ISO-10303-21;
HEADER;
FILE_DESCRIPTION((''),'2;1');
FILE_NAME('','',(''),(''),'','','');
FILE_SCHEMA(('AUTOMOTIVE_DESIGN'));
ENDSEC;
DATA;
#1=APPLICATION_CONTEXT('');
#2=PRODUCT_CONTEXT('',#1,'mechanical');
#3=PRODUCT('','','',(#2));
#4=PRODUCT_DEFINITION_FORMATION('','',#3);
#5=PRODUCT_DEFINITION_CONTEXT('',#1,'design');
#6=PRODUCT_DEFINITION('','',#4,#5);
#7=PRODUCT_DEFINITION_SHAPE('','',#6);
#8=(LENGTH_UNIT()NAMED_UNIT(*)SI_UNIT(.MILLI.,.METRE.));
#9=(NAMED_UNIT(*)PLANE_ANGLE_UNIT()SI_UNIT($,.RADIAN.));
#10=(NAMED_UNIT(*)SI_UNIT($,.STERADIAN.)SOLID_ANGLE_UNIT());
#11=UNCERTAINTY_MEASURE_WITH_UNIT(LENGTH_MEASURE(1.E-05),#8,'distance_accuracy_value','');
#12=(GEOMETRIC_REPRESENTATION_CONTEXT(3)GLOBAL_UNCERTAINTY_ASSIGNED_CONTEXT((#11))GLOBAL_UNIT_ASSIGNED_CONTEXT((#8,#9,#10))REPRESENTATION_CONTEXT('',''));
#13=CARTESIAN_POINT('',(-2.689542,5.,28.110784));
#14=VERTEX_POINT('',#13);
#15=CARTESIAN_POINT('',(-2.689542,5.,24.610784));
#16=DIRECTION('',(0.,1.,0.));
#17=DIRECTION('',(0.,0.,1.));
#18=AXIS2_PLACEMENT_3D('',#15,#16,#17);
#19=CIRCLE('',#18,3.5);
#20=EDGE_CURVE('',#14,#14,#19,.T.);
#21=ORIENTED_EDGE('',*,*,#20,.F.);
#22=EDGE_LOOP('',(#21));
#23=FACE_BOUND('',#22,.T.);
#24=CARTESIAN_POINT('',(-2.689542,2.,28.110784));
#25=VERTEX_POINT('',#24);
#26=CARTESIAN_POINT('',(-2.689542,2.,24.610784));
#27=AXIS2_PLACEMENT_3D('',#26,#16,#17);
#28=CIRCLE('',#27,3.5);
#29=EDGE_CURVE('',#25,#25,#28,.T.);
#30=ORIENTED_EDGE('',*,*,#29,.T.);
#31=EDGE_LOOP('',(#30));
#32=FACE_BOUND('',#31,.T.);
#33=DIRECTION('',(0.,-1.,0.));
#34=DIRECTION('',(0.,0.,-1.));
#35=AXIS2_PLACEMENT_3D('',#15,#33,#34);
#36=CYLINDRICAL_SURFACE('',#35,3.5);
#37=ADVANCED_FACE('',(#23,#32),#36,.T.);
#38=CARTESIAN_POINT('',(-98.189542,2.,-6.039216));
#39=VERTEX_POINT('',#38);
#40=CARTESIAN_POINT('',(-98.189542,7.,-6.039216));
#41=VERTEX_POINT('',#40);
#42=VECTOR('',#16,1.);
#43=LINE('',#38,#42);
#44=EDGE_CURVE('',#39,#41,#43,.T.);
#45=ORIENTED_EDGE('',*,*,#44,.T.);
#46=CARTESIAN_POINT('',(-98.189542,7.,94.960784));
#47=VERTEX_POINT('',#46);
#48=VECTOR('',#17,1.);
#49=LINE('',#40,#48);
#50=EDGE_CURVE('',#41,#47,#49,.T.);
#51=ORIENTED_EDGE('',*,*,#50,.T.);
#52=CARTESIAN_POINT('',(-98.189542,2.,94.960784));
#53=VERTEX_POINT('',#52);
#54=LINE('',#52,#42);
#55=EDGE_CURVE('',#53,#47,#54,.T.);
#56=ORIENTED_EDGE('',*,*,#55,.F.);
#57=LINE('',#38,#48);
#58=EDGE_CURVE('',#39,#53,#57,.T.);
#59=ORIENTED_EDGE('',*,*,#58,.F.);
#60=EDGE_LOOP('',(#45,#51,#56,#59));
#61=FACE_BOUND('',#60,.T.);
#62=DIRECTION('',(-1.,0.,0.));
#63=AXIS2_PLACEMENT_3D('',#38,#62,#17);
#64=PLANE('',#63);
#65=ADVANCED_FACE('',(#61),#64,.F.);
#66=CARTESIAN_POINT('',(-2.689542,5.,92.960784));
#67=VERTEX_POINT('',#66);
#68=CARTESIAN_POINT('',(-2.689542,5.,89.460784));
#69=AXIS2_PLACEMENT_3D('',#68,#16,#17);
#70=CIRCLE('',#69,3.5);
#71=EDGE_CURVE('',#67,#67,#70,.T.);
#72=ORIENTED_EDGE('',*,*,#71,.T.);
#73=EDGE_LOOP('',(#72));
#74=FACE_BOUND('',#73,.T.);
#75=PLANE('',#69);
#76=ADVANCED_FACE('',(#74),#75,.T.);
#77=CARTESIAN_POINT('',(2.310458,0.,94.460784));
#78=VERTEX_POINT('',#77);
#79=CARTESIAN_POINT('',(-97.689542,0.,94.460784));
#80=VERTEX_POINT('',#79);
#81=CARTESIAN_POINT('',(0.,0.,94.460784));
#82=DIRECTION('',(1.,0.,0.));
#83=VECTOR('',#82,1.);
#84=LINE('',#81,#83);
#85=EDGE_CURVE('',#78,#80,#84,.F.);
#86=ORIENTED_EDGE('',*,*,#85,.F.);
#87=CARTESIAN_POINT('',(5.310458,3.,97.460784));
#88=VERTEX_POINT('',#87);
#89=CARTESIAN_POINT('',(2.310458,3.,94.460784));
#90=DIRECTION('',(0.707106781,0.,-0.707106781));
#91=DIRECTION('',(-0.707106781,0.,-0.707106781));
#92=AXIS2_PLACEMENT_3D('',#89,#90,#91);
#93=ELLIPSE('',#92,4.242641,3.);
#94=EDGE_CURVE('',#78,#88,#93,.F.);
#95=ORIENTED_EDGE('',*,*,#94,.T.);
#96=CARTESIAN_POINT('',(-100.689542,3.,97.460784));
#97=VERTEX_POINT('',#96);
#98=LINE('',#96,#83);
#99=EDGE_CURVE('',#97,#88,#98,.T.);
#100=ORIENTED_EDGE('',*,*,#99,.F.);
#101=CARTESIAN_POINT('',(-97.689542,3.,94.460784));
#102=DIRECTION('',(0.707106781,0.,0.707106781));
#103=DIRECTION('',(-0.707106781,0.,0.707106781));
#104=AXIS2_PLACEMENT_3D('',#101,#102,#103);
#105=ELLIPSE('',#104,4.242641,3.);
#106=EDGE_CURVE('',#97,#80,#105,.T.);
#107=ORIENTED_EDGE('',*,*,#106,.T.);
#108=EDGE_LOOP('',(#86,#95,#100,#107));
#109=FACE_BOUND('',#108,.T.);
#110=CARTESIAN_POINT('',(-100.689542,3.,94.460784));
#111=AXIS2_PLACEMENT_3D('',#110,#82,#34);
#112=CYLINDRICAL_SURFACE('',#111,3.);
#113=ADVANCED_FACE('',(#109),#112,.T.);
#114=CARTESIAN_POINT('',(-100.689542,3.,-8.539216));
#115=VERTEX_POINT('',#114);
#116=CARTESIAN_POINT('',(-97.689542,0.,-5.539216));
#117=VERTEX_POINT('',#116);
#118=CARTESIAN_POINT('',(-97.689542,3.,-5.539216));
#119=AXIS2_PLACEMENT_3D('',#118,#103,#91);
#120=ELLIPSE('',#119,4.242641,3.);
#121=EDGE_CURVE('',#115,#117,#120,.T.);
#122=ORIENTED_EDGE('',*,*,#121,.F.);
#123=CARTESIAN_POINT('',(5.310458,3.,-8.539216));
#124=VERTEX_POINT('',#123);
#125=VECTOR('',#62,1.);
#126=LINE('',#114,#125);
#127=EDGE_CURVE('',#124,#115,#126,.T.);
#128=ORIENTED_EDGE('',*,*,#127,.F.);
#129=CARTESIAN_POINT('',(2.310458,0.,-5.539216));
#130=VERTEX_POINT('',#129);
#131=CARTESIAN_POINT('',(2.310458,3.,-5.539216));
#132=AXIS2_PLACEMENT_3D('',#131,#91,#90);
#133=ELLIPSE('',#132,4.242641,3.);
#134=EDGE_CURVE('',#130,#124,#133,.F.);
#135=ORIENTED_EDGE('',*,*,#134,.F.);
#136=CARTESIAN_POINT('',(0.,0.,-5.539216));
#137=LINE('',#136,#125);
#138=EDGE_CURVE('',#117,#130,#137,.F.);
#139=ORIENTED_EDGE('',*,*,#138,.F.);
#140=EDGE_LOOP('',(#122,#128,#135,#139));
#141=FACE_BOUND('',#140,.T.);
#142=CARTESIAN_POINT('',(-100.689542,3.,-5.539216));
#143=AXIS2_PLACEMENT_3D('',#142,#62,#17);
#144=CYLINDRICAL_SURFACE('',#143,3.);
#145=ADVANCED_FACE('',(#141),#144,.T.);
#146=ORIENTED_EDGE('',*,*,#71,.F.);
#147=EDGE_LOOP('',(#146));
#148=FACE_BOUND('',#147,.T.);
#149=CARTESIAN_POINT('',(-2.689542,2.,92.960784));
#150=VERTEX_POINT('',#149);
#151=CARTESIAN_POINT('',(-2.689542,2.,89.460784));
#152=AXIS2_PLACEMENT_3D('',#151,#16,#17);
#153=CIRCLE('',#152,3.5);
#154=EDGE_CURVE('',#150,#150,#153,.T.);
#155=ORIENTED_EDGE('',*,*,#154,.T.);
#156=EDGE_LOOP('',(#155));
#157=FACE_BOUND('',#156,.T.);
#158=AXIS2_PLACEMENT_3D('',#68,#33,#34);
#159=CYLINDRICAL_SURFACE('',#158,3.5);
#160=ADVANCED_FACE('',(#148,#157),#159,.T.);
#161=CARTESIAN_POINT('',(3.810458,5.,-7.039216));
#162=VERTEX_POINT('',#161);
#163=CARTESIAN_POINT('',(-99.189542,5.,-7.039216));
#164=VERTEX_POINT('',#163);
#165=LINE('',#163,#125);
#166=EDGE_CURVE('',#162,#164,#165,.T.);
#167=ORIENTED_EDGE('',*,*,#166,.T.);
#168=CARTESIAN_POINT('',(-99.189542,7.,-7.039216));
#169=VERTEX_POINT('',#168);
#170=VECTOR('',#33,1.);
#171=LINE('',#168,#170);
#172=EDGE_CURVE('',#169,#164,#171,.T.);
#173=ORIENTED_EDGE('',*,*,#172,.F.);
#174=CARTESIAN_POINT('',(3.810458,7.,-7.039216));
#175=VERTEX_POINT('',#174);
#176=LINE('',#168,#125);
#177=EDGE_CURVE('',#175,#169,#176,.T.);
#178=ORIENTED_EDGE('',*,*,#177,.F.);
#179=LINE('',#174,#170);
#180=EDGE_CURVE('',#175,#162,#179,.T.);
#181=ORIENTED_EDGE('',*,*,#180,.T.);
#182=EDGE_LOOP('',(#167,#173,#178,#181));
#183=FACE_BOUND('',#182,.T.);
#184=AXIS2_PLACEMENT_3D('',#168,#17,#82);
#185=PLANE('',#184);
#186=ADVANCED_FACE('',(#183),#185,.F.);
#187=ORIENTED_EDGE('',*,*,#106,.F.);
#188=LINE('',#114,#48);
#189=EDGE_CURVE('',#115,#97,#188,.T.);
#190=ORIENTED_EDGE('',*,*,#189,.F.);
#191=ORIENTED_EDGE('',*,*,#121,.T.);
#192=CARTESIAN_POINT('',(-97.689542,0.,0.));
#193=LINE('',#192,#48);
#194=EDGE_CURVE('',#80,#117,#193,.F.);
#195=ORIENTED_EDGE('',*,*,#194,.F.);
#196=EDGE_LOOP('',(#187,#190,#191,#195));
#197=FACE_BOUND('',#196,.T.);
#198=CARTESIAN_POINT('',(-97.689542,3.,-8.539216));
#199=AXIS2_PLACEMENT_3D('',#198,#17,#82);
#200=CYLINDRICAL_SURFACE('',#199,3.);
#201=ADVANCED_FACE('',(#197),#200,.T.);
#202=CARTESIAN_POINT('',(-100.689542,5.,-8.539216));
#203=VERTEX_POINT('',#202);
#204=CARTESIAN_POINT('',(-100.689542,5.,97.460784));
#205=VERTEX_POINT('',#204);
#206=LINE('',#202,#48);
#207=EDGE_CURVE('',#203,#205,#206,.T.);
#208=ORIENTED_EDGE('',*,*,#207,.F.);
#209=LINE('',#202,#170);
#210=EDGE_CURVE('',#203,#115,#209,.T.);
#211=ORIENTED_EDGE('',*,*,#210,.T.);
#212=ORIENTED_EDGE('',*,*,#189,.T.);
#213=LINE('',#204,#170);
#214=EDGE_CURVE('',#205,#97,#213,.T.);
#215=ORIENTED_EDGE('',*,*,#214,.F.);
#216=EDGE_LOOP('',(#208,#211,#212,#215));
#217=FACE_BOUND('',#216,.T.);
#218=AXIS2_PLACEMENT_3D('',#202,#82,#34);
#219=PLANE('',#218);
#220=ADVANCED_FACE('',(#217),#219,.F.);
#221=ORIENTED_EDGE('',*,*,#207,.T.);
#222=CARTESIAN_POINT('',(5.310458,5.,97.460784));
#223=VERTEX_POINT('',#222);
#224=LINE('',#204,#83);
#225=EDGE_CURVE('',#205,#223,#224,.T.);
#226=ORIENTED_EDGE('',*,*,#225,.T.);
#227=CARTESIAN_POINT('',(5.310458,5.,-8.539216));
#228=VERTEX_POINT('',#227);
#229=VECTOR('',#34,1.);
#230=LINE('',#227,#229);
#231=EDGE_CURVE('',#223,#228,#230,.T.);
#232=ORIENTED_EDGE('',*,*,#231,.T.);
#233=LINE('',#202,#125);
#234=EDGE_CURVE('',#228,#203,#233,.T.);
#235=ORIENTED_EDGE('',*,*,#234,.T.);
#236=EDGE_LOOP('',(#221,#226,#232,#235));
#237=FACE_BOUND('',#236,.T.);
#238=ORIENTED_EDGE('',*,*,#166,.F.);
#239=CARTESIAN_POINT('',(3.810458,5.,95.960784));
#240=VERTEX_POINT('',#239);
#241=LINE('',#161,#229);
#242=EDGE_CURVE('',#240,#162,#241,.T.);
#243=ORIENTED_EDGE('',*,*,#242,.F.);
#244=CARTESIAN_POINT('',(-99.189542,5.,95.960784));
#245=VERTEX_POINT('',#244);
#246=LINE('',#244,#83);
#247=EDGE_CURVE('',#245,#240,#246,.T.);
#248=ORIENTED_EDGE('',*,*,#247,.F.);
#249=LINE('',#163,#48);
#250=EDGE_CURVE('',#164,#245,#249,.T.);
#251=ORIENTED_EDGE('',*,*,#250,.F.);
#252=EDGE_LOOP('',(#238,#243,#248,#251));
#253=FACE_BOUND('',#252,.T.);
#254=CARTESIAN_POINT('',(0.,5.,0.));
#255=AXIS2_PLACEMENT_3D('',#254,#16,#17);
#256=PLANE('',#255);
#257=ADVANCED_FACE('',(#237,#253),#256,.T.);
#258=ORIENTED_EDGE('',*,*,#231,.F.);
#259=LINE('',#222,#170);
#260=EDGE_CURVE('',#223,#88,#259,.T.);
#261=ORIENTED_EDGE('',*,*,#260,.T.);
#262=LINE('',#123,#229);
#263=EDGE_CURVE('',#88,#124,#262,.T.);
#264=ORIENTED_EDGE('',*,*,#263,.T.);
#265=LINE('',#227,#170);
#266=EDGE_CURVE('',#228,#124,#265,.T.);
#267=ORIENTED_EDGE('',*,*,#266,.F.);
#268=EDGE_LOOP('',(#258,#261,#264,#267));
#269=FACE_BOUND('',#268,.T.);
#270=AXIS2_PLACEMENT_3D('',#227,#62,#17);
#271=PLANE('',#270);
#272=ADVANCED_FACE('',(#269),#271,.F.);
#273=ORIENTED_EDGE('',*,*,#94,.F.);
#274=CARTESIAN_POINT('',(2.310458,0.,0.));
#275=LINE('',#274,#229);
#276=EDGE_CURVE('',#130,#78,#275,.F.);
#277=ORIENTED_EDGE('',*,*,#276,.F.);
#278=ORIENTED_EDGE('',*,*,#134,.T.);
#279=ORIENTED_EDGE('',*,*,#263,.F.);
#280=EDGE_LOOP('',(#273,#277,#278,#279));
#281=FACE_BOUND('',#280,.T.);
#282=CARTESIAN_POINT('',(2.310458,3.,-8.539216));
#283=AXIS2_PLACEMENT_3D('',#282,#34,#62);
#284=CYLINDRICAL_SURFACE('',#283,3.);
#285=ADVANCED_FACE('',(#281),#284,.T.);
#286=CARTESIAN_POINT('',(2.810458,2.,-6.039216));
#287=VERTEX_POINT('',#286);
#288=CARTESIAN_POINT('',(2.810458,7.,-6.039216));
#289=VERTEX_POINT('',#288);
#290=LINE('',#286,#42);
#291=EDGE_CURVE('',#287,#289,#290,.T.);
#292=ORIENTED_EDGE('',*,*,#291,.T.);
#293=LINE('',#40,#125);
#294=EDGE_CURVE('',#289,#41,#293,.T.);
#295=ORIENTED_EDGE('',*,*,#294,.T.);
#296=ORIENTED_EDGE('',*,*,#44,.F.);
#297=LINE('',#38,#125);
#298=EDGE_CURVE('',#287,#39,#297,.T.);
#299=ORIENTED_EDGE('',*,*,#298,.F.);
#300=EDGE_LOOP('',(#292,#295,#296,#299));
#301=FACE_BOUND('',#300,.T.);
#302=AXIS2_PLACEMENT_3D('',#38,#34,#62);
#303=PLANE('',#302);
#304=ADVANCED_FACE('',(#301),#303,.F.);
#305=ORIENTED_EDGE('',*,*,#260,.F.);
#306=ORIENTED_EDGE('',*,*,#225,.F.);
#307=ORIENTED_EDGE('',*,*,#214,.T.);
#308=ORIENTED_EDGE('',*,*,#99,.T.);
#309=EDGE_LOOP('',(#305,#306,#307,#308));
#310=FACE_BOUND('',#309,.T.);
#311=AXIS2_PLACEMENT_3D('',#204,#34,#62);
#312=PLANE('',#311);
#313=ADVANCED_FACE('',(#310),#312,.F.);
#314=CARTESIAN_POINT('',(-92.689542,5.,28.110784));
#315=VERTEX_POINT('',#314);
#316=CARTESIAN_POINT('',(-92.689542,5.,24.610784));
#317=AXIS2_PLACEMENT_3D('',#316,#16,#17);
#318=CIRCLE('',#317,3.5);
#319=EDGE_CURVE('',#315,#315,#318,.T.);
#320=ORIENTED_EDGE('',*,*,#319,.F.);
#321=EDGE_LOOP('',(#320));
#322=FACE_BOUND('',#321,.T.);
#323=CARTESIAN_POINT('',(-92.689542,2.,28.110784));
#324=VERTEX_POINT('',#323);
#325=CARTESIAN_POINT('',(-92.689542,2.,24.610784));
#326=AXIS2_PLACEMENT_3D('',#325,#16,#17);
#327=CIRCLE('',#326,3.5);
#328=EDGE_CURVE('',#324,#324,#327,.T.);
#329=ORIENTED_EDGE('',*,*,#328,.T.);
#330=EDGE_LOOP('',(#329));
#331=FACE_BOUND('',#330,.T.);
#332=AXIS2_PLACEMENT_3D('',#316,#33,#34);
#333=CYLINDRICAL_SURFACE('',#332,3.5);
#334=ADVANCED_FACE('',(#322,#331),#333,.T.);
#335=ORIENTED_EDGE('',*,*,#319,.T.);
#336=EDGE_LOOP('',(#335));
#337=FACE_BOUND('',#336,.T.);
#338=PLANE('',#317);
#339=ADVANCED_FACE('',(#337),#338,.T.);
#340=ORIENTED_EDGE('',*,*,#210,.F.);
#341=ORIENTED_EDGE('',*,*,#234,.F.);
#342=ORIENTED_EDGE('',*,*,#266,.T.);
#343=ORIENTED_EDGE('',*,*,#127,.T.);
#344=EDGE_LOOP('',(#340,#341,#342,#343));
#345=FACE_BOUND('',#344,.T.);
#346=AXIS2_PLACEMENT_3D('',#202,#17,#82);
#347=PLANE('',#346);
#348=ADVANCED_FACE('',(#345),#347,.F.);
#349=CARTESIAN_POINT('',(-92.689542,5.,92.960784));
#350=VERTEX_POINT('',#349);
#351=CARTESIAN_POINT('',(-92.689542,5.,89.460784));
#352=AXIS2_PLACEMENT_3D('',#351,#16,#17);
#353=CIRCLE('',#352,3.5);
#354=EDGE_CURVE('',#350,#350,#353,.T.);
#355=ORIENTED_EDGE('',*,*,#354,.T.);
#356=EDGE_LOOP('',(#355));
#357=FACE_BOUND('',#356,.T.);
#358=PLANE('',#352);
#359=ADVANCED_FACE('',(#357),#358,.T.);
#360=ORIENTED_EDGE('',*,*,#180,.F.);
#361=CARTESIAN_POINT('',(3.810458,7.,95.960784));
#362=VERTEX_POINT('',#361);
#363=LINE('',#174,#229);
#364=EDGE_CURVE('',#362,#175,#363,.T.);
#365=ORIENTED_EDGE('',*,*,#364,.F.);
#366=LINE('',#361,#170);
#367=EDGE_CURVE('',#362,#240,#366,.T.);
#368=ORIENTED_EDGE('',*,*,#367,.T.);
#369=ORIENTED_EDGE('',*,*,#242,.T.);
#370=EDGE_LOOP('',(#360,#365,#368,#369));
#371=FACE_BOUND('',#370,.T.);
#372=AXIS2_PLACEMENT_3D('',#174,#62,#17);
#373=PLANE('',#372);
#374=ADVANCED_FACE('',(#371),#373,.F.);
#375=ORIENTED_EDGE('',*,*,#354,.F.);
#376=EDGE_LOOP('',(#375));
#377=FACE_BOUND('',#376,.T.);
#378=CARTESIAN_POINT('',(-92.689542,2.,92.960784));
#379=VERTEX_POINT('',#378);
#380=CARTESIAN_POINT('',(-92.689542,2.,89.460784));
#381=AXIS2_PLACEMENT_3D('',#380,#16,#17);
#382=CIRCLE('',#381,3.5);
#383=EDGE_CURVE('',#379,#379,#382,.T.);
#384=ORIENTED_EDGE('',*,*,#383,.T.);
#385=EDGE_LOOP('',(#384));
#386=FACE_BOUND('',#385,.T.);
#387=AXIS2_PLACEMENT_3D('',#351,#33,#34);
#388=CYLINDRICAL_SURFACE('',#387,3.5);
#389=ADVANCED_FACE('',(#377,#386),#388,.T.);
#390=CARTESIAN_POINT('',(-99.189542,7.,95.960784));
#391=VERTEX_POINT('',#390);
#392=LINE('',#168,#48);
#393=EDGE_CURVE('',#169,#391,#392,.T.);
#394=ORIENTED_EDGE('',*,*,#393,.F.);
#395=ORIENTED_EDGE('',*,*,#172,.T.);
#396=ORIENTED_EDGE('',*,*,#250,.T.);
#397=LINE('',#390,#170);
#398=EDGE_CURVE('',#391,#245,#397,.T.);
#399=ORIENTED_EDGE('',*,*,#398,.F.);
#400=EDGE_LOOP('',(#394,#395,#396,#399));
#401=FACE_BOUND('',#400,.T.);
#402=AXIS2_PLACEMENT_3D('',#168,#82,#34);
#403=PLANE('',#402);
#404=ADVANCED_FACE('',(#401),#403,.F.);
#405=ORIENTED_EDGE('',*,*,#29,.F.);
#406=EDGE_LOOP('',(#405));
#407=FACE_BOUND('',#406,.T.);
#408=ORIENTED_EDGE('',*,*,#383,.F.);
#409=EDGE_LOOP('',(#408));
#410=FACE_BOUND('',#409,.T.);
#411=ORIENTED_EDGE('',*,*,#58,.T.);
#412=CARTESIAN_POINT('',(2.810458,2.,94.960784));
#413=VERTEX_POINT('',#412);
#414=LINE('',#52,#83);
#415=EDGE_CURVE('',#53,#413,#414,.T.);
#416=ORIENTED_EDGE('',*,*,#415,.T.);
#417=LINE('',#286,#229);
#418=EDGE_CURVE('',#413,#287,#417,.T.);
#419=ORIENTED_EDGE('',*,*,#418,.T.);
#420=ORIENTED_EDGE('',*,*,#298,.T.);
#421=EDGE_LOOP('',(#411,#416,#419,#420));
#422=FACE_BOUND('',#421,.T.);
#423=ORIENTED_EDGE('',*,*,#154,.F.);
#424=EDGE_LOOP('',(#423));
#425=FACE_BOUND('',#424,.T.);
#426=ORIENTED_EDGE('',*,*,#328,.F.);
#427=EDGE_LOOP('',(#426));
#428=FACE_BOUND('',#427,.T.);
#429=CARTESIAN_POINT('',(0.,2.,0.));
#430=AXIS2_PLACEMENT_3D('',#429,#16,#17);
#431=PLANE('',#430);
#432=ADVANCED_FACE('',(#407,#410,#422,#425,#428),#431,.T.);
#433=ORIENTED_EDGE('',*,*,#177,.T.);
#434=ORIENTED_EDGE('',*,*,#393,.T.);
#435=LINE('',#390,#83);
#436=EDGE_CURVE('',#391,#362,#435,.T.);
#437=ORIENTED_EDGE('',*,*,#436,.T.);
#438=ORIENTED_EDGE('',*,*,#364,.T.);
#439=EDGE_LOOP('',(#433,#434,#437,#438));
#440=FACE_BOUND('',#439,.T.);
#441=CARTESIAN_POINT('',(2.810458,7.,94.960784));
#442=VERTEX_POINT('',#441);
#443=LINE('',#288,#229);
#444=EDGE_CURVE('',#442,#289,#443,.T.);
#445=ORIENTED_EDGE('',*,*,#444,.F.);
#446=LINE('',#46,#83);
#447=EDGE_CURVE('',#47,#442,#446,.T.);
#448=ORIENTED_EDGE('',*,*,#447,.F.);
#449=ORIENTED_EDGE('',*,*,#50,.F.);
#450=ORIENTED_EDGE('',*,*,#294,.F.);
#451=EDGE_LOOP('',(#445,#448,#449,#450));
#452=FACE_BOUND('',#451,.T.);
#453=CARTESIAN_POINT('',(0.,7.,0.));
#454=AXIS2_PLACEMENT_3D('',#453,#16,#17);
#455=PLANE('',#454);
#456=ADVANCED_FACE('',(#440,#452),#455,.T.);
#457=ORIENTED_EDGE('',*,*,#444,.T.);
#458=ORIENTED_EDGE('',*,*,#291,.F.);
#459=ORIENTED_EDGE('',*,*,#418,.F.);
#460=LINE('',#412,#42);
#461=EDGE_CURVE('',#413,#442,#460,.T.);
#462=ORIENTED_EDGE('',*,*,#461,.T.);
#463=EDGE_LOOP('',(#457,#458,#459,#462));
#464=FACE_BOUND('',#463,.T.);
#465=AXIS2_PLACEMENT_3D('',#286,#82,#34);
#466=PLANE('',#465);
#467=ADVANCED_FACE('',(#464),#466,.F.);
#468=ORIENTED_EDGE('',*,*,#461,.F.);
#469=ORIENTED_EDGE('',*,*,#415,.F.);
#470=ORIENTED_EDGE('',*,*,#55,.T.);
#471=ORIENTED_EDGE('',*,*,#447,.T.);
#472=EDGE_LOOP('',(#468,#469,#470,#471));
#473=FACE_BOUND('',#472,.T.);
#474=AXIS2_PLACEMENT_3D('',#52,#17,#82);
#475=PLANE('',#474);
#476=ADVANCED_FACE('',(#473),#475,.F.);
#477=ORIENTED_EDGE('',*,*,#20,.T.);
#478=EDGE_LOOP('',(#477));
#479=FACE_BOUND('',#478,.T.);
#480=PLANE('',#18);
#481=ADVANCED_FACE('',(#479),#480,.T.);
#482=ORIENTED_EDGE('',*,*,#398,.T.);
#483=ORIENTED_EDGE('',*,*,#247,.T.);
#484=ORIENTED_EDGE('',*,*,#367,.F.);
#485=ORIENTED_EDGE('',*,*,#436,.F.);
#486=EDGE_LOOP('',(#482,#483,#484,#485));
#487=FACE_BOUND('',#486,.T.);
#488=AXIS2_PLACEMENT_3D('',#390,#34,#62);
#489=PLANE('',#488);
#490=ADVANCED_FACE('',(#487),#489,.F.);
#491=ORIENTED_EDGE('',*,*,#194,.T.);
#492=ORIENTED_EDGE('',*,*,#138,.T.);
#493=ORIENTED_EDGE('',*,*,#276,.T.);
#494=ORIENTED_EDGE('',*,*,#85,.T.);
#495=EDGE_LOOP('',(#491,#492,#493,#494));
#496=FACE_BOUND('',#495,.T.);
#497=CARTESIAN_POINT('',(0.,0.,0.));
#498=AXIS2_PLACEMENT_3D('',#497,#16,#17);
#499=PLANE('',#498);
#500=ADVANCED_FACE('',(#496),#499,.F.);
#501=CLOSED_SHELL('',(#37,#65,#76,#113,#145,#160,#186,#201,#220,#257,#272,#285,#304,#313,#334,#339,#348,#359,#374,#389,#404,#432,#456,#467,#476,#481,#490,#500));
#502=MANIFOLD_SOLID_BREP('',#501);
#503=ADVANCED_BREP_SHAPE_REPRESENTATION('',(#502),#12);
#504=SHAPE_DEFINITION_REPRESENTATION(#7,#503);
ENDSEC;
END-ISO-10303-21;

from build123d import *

# Parameters (mm, degrees)
SKETCH4_W           = 106
SKETCH4_H           = 106
BOSS_EXTRUDE3_DEPTH = 5
SKETCH6_W           = 101
SKETCH6_H           = 101
CUT_EXTRUDE2_DEPTH  = 3
SKETCH7_R           = 3.5
BOSS_EXTRUDE4_DEPTH = 3
FILLET1_R           = 3
SKETCH10_W          = 103
SKETCH10_H          = 103
SKETCH10_W_2        = 101
SKETCH10_H_2        = 101
BOSS_EXTRUDE5_DEPTH = 2


with BuildPart() as part:
    # Sketch4 → Boss-Extrude3 (new body)
    with BuildSketch(Plane(origin=(0, 0, 0), x_dir=(1, 0, 0), z_dir=(0, 1, 0))):
        with Locations((-47.689542484, -44.460784314)):
            Rectangle(SKETCH4_W, SKETCH4_H)
    extrude(amount=BOSS_EXTRUDE3_DEPTH)

    # Sketch6 → Cut-Extrude2 (cut)
    with BuildSketch(Plane(origin=(0, 5, 0), x_dir=(1, 0, 0), z_dir=(0, 1, 0))):
        with Locations((-47.689542484, -44.460784314)):
            Rectangle(SKETCH6_W, SKETCH6_H)
    extrude(amount=-CUT_EXTRUDE2_DEPTH, mode=Mode.SUBTRACT)

    # Sketch7 → Boss-Extrude4 (add)
    with BuildSketch(Plane(origin=(0, 2, 0), x_dir=(1, 0, 0), z_dir=(0, 1, 0))):
        with Locations(Location((-92.689542484, -24.610784314, 0), (0, 0, 270))):
            Circle(SKETCH7_R)
        with Locations(Location((-92.689542484, -89.460784314, 0), (0, 0, 270))):
            Circle(SKETCH7_R)
        with Locations(Location((-2.689542484, -89.460784314, 0), (0, 0, 270))):
            Circle(SKETCH7_R)
        with Locations(Location((-2.689542484, -24.610784314, 0), (0, 0, 270))):
            Circle(SKETCH7_R)
    extrude(amount=BOSS_EXTRUDE4_DEPTH)

    # Fillet1
    fillet1_edges = [part.edges().sort_by_distance(p)[0] for p in [
        (-47.689542484, 0, 97.460784314),
        (-100.689542484, 0, 44.460784314),
        (-47.689542484, 0, -8.539215686),
        (5.310457516, 0, 44.460784314),
    ]]
    fillet(fillet1_edges, radius=FILLET1_R)

    # Sketch10 → Boss-Extrude5 (add)
    with BuildSketch(Plane(origin=(0, 5, 0), x_dir=(1, 0, 0), z_dir=(0, 1, 0))):
        with Locations((-47.689542484, -44.460784314)):
            Rectangle(SKETCH10_W, SKETCH10_H)
        with Locations((-47.689542484, -44.460784314)):
            Rectangle(SKETCH10_W_2, SKETCH10_H_2, mode=Mode.SUBTRACT)
    extrude(amount=BOSS_EXTRUDE5_DEPTH)


solid = part.part
